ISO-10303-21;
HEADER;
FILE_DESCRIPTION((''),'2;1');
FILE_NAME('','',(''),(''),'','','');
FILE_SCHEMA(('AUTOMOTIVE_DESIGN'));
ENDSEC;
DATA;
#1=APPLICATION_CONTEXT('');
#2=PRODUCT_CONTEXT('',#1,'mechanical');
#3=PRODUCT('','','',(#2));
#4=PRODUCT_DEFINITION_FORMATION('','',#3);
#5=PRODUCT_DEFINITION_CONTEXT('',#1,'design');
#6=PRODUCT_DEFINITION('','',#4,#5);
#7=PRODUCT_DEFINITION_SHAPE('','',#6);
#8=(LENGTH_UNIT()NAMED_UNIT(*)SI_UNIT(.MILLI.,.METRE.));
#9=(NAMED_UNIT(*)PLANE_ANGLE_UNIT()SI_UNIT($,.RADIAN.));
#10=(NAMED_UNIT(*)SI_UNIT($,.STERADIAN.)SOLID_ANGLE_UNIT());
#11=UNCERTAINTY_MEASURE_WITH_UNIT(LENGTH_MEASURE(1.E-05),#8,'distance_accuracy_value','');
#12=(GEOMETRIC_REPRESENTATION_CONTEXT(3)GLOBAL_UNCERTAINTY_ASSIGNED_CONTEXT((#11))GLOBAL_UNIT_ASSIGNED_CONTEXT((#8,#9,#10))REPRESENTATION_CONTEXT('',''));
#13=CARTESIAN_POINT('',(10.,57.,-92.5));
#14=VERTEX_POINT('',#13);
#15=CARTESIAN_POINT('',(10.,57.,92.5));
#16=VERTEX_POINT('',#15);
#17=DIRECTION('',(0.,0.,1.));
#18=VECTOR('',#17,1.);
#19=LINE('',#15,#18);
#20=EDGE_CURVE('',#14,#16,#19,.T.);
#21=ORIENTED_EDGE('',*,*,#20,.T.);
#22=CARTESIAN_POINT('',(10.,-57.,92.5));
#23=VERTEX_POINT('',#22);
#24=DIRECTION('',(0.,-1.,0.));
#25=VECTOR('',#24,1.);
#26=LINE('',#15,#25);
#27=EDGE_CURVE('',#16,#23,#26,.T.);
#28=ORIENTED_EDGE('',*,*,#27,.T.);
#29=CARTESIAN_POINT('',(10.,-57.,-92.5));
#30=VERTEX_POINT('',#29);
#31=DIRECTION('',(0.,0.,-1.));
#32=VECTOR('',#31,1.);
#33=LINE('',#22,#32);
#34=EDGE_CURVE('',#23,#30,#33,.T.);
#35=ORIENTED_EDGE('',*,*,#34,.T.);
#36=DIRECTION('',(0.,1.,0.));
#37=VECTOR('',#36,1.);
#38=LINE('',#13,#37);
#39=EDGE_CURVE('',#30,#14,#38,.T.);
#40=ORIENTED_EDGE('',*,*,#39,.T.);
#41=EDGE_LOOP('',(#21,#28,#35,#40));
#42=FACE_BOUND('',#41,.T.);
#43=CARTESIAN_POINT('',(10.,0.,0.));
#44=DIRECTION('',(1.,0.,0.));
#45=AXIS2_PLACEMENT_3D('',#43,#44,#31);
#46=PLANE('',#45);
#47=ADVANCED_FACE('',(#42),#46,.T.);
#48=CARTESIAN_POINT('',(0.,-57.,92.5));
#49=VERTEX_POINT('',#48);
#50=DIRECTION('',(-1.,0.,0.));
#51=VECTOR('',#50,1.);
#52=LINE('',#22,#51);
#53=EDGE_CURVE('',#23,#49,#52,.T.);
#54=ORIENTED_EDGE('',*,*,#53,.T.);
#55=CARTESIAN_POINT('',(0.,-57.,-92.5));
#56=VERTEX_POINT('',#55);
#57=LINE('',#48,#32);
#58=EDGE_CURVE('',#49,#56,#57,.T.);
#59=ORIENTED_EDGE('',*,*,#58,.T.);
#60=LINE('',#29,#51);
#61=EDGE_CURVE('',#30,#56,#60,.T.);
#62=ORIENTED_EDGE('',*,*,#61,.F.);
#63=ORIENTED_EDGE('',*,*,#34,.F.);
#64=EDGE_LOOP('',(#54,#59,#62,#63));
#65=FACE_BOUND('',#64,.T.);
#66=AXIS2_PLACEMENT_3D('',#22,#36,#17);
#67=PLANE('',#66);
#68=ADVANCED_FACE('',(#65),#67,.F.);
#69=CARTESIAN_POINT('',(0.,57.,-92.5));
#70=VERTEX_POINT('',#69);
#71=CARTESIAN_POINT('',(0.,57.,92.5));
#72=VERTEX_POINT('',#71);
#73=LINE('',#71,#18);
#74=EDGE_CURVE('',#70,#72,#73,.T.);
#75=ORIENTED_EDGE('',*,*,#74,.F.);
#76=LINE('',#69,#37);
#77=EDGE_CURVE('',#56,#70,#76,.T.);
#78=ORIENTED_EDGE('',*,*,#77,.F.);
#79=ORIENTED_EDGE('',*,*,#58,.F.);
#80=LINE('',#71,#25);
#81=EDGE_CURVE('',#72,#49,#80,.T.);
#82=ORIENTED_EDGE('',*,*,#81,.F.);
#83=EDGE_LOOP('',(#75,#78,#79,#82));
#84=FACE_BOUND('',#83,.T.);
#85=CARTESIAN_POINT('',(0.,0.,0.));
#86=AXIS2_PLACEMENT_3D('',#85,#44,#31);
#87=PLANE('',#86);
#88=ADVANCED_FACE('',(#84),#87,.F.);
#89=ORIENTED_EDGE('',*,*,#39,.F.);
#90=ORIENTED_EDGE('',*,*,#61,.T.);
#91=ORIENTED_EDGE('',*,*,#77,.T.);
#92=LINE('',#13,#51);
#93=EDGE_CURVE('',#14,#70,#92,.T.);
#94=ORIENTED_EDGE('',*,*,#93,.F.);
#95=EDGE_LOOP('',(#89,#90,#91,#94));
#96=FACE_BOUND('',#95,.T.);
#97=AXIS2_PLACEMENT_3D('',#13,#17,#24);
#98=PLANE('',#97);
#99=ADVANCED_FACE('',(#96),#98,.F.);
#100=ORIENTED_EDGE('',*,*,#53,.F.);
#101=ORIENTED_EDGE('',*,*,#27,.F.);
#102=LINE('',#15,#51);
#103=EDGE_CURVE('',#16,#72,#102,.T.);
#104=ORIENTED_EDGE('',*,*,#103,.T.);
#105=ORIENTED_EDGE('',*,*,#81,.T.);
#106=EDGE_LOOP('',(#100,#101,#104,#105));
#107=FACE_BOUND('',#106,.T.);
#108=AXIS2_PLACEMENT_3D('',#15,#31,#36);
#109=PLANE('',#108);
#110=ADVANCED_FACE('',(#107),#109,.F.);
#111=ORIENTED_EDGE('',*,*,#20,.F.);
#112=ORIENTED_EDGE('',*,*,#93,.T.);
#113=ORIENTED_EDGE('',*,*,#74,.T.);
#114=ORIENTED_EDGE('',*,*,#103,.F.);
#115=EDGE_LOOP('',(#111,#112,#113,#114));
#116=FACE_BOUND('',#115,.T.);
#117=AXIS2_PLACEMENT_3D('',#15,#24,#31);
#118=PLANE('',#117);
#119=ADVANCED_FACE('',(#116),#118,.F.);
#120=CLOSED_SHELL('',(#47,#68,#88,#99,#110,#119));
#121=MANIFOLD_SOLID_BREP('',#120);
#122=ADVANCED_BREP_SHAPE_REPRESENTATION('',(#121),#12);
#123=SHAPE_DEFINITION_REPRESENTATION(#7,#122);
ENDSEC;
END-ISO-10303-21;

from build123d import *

# Parameters (mm, degrees)
SKETCH_1_W      = 185
SKETCH_1_H      = 114
EXTRUDE_1_DEPTH = 10


with BuildPart() as part:
    # 草图1 → 凸台-拉伸1 (new body)
    with BuildSketch(Plane(origin=(0, 0, 0), x_dir=(0, 0, -1), z_dir=(1, 0, 0))):
        Rectangle(SKETCH_1_W, SKETCH_1_H)
    extrude(amount=EXTRUDE_1_DEPTH)


solid = part.part
